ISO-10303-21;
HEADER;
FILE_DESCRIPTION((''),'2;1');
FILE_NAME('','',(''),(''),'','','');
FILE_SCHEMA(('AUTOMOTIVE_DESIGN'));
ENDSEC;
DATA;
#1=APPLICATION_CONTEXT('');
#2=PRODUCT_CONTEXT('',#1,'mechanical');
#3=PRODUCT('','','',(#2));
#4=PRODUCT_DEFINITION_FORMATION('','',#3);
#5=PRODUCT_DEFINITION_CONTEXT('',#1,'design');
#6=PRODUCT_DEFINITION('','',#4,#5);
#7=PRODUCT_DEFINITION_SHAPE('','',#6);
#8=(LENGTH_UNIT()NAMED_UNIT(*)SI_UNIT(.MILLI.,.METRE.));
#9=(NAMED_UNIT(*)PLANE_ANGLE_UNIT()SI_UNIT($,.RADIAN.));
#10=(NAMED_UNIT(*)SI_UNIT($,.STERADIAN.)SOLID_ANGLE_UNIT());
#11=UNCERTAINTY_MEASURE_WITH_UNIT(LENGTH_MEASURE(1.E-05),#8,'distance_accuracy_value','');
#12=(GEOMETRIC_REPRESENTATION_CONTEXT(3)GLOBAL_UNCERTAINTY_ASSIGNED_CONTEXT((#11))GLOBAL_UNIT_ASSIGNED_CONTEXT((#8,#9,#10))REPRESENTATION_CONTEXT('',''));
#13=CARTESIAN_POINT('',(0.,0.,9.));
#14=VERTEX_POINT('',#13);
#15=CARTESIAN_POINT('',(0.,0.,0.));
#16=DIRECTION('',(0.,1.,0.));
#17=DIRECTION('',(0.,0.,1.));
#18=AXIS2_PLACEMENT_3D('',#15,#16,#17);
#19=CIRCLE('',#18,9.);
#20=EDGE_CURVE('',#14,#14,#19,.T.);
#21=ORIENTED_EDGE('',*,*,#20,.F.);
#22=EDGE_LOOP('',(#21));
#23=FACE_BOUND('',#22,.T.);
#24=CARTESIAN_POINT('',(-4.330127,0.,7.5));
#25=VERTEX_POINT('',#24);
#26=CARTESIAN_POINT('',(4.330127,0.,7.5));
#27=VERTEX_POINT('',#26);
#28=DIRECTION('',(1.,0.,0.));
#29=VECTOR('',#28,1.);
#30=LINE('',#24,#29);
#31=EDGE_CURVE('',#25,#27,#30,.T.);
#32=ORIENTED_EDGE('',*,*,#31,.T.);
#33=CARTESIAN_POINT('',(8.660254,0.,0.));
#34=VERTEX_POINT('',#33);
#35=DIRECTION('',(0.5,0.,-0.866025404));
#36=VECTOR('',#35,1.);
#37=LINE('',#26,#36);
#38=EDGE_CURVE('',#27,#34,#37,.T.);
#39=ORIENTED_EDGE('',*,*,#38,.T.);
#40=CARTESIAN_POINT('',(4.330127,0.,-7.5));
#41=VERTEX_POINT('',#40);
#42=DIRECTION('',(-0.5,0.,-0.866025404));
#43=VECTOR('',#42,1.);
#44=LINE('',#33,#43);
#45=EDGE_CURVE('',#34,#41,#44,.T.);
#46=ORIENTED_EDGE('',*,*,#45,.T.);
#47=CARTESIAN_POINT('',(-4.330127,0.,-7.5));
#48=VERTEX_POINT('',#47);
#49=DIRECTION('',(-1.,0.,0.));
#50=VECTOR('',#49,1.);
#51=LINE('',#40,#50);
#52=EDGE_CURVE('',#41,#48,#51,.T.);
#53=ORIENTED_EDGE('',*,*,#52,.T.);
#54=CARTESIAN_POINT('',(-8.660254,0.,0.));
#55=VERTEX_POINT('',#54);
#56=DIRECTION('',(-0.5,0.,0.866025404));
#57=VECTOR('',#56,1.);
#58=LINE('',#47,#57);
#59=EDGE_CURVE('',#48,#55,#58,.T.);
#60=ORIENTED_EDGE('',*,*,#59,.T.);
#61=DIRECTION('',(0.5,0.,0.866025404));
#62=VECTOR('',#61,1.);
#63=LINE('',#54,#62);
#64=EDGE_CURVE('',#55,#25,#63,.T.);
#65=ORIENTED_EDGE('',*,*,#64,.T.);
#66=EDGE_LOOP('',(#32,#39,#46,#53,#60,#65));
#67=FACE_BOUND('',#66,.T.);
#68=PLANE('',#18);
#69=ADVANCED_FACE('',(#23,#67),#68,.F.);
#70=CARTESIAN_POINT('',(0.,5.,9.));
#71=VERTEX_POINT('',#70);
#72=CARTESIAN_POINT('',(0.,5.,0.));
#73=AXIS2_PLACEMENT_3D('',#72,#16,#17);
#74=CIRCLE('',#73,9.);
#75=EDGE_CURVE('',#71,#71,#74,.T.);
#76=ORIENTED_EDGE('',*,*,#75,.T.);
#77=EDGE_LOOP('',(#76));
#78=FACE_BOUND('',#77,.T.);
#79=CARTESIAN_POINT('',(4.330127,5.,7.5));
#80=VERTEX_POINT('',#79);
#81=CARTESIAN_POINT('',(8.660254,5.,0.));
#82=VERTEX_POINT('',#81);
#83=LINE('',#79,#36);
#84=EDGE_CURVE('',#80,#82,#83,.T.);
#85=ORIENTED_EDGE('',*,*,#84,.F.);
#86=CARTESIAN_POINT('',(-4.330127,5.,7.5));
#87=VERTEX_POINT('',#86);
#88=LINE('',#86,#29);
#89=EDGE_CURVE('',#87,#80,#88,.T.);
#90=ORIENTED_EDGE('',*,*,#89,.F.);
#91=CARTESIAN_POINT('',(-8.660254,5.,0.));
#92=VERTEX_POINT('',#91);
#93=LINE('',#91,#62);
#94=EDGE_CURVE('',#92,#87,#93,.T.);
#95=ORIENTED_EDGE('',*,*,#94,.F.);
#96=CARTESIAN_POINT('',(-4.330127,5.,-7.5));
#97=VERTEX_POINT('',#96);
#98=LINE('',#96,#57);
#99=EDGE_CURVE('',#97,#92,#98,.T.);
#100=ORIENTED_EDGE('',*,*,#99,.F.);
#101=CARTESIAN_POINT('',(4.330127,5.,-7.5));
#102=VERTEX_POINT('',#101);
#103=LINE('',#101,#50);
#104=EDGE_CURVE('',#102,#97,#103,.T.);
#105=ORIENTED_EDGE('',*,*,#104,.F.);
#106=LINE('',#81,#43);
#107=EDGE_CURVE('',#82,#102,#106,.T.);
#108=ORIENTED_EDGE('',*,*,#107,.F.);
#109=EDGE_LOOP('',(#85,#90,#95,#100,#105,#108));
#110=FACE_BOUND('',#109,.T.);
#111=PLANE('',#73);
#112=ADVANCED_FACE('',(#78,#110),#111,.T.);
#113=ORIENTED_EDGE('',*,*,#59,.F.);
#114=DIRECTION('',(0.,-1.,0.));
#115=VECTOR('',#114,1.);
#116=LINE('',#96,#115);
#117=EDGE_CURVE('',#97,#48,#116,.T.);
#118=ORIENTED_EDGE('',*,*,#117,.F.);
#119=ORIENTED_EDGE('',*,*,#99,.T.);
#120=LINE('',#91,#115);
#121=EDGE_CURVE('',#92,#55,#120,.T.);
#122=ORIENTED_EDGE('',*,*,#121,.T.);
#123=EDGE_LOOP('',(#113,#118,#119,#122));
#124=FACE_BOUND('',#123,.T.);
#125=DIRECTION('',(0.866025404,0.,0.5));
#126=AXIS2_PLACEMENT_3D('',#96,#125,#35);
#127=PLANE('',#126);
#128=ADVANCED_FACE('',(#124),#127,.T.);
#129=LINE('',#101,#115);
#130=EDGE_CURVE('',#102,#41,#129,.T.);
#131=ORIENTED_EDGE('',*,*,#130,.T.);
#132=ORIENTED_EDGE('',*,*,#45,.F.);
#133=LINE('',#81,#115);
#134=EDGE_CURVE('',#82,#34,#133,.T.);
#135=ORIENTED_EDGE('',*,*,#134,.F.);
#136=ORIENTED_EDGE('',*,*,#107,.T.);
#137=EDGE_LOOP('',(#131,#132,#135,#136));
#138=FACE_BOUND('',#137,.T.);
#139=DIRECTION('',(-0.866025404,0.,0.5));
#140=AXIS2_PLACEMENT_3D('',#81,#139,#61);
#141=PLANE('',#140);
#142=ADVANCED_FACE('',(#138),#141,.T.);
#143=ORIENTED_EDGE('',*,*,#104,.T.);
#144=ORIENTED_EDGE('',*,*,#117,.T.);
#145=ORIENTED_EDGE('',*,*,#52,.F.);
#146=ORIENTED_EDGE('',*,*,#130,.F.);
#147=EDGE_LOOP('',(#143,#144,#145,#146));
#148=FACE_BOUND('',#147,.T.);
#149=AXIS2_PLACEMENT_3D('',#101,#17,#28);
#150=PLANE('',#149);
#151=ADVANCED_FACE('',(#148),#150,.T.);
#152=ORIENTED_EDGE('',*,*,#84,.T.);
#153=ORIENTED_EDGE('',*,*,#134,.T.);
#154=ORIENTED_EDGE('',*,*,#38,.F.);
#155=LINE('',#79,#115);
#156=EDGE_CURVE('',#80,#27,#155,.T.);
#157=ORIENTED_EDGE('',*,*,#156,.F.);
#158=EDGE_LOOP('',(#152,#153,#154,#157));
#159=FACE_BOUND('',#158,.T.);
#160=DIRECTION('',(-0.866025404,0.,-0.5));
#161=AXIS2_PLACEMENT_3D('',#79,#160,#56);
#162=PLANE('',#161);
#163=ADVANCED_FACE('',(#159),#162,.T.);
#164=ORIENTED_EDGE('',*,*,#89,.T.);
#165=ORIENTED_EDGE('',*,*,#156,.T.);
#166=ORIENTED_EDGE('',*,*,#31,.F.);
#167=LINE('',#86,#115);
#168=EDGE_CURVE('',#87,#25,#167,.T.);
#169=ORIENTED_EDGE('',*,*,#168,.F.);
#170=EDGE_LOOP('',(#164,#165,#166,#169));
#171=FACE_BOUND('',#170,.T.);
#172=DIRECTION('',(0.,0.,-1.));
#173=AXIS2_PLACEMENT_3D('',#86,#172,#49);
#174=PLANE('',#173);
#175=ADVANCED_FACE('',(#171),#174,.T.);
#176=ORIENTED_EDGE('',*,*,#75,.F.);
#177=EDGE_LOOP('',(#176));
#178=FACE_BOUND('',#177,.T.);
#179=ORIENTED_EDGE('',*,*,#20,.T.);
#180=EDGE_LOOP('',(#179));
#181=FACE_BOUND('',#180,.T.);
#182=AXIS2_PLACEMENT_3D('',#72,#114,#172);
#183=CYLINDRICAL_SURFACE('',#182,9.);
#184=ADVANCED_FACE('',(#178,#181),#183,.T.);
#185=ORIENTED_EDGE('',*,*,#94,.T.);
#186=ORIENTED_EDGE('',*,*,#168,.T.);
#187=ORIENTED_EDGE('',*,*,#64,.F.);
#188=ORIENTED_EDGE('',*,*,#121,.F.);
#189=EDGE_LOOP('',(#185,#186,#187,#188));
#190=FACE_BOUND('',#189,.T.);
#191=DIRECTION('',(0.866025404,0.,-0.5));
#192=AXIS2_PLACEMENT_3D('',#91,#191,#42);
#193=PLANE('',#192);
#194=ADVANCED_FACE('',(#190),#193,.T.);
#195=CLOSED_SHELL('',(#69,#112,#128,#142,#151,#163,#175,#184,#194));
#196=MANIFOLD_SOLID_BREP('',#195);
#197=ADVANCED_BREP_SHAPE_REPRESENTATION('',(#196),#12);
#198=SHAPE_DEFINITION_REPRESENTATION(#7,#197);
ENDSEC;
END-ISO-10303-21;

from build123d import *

# Parameters (mm, degrees)
SKETCH1_R           = 9
BOSS_EXTRUDE1_DEPTH = 5


with BuildPart() as part:
    # Sketch1 → Boss-Extrude1 (new body)
    with BuildSketch(Plane(origin=(0, 0, 0), x_dir=(1, 0, 0), z_dir=(0, 1, 0))):
        with Locations(Location((0, 0, 0), (0, 0, 270))):
            Circle(SKETCH1_R)
        Polygon((8.660254038, 0), (4.330127019, 7.5), (-4.330127019, 7.5), (-8.660254038, 0), (-4.330127019, -7.5), (4.330127019, -7.5), align=None, mode=Mode.SUBTRACT)
    extrude(amount=BOSS_EXTRUDE1_DEPTH)


solid = part.part
